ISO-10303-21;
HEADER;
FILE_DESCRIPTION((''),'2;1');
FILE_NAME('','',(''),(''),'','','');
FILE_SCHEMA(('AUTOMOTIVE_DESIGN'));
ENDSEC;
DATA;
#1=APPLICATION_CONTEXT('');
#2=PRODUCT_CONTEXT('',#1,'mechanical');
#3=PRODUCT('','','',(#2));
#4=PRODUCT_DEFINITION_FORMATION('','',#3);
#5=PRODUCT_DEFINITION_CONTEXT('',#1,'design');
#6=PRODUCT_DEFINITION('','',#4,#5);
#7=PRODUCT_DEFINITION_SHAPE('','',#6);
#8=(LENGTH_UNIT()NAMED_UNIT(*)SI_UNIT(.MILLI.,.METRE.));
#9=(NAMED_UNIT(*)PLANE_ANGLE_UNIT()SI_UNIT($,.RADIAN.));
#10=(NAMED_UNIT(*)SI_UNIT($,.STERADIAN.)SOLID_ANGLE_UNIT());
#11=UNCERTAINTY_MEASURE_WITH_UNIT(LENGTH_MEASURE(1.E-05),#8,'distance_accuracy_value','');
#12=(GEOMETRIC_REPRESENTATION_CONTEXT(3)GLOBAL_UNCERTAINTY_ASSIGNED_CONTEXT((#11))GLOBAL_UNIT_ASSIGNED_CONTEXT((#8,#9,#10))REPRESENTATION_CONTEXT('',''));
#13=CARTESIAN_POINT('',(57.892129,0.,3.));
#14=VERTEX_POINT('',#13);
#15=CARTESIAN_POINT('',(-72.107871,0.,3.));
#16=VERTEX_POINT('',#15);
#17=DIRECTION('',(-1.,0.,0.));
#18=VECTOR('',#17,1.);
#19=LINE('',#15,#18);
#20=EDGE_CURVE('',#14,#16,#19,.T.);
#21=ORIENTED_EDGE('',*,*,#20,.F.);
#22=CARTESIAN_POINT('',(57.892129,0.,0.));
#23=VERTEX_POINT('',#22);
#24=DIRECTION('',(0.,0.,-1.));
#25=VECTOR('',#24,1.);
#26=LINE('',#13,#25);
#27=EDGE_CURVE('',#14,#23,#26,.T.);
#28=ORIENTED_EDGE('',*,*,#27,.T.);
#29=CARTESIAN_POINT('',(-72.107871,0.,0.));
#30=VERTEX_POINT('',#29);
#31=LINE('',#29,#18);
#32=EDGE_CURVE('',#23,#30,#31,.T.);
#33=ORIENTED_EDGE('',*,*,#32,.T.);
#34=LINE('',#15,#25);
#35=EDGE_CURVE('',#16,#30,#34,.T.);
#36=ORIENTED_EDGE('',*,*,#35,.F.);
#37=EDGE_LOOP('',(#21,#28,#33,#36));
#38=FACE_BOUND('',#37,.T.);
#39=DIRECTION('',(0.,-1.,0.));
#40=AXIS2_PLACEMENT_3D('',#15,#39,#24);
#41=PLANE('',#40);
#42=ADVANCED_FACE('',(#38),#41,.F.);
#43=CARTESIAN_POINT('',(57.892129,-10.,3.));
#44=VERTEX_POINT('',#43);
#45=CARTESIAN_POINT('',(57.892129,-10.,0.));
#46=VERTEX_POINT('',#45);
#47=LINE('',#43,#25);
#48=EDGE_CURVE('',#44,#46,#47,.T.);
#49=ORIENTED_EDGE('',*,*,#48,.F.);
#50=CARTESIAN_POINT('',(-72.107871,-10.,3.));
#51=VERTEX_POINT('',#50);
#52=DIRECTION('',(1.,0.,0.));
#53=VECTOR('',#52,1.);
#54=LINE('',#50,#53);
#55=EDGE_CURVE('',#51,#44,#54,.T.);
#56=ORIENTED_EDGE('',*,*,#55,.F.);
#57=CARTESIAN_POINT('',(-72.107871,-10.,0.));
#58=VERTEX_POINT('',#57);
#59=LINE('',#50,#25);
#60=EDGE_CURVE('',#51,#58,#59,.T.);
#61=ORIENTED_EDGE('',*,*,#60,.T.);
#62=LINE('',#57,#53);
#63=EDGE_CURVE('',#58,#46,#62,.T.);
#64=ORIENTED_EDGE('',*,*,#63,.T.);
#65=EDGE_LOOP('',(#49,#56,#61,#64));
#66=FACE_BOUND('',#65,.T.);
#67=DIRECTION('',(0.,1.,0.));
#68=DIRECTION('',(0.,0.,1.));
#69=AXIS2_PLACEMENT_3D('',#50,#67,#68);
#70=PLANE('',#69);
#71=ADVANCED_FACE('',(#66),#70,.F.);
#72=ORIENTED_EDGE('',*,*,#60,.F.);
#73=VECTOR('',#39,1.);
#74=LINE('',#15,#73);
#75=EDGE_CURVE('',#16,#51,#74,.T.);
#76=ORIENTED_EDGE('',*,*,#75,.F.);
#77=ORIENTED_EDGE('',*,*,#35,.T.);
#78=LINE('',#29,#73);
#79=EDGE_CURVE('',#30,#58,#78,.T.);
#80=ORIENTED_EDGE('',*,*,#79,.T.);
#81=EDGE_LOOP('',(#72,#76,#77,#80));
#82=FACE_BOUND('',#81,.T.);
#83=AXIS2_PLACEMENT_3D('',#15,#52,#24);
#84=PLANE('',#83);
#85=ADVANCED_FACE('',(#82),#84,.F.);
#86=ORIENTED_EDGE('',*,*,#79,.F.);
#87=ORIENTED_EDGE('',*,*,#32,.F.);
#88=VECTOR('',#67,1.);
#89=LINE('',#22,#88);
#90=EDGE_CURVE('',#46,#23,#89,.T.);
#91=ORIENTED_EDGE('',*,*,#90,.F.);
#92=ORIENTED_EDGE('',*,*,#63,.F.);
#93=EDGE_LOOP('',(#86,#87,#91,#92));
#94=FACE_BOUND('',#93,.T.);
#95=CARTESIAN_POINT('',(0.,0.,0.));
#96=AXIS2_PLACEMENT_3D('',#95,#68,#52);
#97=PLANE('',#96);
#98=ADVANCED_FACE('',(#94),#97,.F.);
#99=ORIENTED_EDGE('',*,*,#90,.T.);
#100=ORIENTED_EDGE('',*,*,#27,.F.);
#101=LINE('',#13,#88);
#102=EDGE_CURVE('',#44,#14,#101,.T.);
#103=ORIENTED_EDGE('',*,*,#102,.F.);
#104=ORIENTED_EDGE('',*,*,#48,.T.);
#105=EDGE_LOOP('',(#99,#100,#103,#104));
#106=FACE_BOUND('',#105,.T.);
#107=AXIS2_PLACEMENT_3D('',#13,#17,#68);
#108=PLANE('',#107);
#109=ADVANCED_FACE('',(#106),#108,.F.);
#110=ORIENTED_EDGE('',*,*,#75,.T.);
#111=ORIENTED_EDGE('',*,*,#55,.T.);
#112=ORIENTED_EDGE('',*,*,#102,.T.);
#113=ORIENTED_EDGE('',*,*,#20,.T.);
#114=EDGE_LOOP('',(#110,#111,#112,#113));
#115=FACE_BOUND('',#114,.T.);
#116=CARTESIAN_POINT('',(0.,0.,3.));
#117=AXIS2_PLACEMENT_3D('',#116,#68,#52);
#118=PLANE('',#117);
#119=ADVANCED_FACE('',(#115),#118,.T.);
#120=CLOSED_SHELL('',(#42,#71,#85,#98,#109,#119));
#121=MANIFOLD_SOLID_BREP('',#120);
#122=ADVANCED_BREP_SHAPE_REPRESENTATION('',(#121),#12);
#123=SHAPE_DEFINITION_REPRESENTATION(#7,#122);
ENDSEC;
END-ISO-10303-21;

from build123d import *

# Parameters (mm, degrees)
ESBO_O1_W                = 130
ESBO_O1_H                = 10
RESSALTO_EXTRUS_O3_DEPTH = 3


with BuildPart() as part:
    # Esboço1 → Ressalto-extrusão3 (new body)
    with BuildSketch(Plane.XY):
        with Locations((-7.107871181, -5)):
            Rectangle(ESBO_O1_W, ESBO_O1_H)
    extrude(amount=RESSALTO_EXTRUS_O3_DEPTH)


solid = part.part
